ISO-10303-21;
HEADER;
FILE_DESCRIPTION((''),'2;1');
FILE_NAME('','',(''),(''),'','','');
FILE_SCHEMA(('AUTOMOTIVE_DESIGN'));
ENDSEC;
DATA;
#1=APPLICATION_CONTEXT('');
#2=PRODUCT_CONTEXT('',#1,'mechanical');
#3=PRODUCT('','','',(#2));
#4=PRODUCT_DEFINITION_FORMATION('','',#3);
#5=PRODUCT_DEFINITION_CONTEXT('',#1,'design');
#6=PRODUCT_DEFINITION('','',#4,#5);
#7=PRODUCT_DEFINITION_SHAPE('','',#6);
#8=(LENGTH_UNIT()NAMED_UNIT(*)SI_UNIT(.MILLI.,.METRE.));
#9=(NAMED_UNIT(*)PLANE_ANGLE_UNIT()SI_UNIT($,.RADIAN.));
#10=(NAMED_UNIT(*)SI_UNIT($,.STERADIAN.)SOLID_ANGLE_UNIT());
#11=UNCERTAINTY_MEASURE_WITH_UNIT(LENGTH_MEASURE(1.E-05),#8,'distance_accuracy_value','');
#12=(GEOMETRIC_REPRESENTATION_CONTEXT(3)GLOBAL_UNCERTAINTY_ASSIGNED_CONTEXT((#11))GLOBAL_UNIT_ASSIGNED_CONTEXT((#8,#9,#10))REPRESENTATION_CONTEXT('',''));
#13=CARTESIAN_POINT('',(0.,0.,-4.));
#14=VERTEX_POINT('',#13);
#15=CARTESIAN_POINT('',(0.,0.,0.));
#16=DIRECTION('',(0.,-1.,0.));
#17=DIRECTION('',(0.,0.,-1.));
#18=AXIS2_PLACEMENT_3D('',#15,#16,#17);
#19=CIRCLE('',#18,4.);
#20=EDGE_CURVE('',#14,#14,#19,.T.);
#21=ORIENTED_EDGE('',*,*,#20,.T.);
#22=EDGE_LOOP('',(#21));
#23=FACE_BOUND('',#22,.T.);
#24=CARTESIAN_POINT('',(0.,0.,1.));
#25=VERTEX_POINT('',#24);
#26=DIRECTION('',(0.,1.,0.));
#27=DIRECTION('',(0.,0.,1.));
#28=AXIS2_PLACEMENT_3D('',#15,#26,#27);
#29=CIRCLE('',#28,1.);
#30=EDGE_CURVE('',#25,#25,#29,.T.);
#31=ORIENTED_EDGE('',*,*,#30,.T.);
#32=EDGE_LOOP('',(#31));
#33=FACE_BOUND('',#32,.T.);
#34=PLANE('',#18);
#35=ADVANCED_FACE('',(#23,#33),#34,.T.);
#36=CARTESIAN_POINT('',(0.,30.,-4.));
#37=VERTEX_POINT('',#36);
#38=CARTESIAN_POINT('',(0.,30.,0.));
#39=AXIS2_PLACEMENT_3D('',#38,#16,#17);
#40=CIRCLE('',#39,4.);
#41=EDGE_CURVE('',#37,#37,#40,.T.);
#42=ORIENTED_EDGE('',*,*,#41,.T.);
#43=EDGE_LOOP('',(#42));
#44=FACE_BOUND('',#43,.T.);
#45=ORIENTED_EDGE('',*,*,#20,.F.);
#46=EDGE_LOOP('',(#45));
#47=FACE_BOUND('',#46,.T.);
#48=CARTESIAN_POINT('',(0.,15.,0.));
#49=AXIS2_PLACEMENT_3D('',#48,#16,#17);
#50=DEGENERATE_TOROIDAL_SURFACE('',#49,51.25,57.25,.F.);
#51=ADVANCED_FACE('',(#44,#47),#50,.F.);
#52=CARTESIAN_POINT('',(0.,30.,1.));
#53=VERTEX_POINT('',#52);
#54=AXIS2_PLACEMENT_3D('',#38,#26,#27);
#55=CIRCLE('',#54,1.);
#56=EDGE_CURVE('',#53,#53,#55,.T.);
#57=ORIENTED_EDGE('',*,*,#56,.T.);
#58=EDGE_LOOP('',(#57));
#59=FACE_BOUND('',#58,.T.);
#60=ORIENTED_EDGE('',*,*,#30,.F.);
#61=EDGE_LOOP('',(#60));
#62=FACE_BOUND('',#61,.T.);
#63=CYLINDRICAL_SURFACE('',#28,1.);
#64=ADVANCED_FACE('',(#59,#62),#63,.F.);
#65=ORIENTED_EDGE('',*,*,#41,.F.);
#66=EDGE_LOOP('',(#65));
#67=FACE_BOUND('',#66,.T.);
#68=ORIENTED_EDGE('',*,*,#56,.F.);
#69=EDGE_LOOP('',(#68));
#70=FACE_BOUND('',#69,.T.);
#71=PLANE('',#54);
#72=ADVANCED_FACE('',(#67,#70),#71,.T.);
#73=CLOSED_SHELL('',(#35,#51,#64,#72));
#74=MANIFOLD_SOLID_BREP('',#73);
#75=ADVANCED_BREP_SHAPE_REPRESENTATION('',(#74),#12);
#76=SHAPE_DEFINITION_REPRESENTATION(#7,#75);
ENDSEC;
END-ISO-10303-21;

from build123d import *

# Parameters (mm, degrees)
ESQUISSE2_R             = 1
ENL_V_MAT_EXTRU_1_DEPTH = 32.176914671


with BuildPart() as part:
    # Esquisse1 → Révolution1 (revolve)
    with BuildSketch(Plane.XY, mode=Mode.PRIVATE) as r_volution1_sk:
        with BuildLine():
            Line((0, 0), (4, 0))
            ThreePointArc((4, 0), (5.497797314, 7.433627025), (6, 15))
            ThreePointArc((6, 15), (5.497797314, 22.566372975), (4, 30))
            Line((4, 30), (0, 30))
            Line((0, 30), (0, 0))
        make_face()
    revolve(r_volution1_sk.sketch.rotate(Axis((0, 0, 0), (0, 1, 0)), 90), axis=Axis((0, 0, 0), (0, 1, 0)))

    # Esquisse2 → Enlèv. mat.-Extru.1 (cut, through all)
    with BuildSketch(Plane(origin=(0, 30, 0), x_dir=(1, 0, 0), z_dir=(0, 1, 0))):
        with Locations(Location((0, 0, 0), (0, 0, 270))):
            Circle(ESQUISSE2_R)
    extrude(amount=-ENL_V_MAT_EXTRU_1_DEPTH, mode=Mode.SUBTRACT)


solid = part.part
